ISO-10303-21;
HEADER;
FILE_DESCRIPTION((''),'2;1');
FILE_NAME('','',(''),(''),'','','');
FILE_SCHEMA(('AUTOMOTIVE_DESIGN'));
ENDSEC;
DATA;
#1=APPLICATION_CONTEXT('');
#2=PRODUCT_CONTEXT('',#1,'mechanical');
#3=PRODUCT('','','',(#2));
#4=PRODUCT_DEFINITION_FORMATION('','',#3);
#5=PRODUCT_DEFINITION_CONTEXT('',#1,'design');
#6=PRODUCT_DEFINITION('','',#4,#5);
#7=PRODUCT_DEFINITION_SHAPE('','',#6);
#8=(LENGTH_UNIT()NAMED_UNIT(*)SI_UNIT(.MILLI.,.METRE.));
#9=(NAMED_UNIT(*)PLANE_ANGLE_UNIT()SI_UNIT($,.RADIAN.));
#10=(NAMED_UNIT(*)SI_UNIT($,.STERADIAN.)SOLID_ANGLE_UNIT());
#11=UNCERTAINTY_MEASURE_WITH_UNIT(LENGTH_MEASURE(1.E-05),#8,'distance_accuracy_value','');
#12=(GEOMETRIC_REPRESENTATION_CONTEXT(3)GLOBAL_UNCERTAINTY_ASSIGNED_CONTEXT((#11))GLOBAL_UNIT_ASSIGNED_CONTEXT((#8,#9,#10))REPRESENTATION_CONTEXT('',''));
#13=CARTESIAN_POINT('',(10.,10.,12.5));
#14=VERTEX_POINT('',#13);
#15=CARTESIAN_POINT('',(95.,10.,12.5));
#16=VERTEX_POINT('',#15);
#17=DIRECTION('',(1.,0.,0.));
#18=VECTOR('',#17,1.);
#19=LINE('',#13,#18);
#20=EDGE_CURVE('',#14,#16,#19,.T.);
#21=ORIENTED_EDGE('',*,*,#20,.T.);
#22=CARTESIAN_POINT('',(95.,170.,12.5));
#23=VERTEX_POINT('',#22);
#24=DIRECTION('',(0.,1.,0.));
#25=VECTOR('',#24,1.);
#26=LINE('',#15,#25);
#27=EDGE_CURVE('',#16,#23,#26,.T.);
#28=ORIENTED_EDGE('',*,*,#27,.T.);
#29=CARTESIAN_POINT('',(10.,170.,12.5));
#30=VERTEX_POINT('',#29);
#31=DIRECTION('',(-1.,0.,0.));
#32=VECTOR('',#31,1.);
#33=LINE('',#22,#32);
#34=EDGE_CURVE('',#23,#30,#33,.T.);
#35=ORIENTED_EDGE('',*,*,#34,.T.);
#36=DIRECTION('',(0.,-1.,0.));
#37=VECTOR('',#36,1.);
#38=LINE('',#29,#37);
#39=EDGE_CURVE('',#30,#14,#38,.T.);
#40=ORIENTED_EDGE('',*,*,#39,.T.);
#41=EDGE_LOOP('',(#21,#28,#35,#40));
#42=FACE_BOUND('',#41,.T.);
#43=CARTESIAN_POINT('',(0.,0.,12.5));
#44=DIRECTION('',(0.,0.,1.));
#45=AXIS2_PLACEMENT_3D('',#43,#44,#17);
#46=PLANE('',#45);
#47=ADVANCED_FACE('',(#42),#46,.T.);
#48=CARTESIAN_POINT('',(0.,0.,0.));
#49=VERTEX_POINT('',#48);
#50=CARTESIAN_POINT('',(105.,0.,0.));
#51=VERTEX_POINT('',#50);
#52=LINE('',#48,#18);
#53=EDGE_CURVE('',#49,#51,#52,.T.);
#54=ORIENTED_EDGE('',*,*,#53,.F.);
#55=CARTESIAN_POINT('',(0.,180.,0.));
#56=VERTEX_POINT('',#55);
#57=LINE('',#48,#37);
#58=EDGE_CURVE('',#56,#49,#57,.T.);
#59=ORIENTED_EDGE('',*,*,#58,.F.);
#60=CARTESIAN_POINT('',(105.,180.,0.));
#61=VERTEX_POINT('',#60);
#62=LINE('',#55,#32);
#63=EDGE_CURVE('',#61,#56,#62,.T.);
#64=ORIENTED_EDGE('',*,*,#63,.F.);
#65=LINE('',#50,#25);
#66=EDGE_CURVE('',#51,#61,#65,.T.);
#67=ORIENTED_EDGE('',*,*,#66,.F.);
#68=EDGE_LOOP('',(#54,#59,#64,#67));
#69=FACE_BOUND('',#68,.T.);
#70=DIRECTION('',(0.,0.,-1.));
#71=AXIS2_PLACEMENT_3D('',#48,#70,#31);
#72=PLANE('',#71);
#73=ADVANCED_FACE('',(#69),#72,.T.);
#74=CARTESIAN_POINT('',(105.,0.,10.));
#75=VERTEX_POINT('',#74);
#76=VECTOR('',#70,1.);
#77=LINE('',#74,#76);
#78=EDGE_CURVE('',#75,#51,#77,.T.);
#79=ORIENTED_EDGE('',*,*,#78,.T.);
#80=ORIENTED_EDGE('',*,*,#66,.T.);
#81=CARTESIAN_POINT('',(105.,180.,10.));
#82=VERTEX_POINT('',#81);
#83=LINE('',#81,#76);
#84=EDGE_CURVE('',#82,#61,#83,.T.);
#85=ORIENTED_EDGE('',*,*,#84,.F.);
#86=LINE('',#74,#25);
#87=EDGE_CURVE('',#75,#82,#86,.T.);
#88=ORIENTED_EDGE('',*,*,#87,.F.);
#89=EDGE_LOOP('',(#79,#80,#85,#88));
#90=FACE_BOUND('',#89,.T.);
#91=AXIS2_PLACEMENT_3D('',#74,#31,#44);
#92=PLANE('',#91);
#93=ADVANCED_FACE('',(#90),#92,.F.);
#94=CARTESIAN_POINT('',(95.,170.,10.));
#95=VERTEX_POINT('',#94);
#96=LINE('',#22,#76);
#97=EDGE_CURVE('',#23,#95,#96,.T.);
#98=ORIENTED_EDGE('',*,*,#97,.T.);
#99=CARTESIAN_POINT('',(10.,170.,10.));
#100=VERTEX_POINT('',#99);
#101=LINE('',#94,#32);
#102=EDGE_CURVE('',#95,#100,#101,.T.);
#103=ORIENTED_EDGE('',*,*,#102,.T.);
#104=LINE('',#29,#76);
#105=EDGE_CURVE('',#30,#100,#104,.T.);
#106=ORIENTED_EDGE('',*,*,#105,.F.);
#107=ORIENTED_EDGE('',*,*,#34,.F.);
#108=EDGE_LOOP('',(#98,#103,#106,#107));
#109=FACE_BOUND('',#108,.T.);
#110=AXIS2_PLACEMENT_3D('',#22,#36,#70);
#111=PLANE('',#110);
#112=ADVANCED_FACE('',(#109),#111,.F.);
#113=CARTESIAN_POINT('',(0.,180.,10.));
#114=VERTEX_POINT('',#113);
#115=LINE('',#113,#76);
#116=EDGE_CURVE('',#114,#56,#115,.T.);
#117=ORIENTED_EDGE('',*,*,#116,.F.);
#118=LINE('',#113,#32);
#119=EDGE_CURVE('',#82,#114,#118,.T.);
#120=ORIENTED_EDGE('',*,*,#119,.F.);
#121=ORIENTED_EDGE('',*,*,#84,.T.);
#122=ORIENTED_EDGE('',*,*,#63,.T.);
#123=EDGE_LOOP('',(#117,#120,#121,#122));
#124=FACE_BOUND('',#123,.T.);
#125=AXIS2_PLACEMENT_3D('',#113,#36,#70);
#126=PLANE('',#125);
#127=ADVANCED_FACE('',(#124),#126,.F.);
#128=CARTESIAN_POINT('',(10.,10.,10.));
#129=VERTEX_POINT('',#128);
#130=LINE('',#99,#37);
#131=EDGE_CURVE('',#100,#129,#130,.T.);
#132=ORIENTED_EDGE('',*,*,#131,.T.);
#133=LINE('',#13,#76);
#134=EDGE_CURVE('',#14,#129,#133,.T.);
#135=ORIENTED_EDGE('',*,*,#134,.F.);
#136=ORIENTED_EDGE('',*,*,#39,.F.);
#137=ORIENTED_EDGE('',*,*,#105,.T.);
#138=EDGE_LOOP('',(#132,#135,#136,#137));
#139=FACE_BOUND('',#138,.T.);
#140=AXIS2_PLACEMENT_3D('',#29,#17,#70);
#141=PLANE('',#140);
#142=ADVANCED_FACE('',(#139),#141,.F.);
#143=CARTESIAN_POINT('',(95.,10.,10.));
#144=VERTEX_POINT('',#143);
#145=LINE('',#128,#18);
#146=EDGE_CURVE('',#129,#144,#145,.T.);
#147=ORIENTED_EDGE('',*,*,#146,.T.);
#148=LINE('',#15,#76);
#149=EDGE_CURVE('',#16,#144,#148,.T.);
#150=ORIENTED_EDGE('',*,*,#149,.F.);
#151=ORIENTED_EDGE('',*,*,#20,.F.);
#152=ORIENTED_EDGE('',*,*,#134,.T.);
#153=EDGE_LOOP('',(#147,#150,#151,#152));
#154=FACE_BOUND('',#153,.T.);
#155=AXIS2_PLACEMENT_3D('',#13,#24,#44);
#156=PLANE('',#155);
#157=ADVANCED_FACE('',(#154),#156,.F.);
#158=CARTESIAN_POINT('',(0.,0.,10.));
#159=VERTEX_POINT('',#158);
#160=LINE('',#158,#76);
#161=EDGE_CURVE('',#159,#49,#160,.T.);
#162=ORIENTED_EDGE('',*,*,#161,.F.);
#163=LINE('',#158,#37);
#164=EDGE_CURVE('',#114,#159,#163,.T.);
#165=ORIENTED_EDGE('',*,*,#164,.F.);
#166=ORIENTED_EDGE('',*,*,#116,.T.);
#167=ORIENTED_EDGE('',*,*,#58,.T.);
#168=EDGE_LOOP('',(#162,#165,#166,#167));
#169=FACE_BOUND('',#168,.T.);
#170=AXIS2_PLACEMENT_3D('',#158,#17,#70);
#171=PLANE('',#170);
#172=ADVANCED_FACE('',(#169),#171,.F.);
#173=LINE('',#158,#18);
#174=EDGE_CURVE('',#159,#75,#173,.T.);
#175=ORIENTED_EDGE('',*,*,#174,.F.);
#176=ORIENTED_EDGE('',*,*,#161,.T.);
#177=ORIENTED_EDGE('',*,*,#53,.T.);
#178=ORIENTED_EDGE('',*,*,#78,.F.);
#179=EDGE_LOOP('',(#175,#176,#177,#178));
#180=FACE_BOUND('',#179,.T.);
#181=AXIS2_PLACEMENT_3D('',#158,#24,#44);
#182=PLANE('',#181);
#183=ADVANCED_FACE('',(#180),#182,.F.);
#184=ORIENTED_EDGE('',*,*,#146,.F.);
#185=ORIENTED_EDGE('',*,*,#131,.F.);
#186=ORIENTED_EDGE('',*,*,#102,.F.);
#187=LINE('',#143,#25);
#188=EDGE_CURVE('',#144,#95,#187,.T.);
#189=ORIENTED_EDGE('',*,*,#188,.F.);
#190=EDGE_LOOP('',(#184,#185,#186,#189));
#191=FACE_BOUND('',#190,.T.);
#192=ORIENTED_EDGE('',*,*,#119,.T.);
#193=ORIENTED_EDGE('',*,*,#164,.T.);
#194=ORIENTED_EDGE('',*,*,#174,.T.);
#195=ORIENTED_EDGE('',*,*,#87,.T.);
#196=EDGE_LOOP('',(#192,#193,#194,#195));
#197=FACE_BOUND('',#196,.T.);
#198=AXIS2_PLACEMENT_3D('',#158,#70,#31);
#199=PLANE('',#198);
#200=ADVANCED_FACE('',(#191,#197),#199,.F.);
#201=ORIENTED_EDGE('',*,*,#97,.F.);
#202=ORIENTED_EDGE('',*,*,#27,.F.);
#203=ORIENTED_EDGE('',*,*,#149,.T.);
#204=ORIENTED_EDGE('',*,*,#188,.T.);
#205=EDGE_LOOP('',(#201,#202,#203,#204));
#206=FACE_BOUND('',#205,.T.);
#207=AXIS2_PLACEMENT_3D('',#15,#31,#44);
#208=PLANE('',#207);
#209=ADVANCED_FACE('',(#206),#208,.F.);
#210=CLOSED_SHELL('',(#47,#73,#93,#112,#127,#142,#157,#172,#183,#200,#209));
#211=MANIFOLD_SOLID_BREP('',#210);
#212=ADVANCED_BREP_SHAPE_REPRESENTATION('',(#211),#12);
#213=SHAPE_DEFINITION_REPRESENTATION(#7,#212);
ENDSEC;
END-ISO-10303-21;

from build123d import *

# Parameters (mm, degrees)
SKETCH1_W           = 105
SKETCH1_H           = 180
BOSS_EXTRUDE1_DEPTH = 10
SKETCH2_W           = 85
SKETCH2_H           = 160
BOSS_EXTRUDE2_DEPTH = 2.5


with BuildPart() as part:
    # Sketch1 → Boss-Extrude1 (new body)
    with BuildSketch(Plane.XY):
        with Locations((52.5, 90)):
            Rectangle(SKETCH1_W, SKETCH1_H)
    extrude(amount=BOSS_EXTRUDE1_DEPTH)

    # Sketch2 → Boss-Extrude2 (add)
    with BuildSketch(Plane.XY.offset(10)):
        with Locations((52.5, 90)):
            Rectangle(SKETCH2_W, SKETCH2_H)
    extrude(amount=BOSS_EXTRUDE2_DEPTH)


solid = part.part
